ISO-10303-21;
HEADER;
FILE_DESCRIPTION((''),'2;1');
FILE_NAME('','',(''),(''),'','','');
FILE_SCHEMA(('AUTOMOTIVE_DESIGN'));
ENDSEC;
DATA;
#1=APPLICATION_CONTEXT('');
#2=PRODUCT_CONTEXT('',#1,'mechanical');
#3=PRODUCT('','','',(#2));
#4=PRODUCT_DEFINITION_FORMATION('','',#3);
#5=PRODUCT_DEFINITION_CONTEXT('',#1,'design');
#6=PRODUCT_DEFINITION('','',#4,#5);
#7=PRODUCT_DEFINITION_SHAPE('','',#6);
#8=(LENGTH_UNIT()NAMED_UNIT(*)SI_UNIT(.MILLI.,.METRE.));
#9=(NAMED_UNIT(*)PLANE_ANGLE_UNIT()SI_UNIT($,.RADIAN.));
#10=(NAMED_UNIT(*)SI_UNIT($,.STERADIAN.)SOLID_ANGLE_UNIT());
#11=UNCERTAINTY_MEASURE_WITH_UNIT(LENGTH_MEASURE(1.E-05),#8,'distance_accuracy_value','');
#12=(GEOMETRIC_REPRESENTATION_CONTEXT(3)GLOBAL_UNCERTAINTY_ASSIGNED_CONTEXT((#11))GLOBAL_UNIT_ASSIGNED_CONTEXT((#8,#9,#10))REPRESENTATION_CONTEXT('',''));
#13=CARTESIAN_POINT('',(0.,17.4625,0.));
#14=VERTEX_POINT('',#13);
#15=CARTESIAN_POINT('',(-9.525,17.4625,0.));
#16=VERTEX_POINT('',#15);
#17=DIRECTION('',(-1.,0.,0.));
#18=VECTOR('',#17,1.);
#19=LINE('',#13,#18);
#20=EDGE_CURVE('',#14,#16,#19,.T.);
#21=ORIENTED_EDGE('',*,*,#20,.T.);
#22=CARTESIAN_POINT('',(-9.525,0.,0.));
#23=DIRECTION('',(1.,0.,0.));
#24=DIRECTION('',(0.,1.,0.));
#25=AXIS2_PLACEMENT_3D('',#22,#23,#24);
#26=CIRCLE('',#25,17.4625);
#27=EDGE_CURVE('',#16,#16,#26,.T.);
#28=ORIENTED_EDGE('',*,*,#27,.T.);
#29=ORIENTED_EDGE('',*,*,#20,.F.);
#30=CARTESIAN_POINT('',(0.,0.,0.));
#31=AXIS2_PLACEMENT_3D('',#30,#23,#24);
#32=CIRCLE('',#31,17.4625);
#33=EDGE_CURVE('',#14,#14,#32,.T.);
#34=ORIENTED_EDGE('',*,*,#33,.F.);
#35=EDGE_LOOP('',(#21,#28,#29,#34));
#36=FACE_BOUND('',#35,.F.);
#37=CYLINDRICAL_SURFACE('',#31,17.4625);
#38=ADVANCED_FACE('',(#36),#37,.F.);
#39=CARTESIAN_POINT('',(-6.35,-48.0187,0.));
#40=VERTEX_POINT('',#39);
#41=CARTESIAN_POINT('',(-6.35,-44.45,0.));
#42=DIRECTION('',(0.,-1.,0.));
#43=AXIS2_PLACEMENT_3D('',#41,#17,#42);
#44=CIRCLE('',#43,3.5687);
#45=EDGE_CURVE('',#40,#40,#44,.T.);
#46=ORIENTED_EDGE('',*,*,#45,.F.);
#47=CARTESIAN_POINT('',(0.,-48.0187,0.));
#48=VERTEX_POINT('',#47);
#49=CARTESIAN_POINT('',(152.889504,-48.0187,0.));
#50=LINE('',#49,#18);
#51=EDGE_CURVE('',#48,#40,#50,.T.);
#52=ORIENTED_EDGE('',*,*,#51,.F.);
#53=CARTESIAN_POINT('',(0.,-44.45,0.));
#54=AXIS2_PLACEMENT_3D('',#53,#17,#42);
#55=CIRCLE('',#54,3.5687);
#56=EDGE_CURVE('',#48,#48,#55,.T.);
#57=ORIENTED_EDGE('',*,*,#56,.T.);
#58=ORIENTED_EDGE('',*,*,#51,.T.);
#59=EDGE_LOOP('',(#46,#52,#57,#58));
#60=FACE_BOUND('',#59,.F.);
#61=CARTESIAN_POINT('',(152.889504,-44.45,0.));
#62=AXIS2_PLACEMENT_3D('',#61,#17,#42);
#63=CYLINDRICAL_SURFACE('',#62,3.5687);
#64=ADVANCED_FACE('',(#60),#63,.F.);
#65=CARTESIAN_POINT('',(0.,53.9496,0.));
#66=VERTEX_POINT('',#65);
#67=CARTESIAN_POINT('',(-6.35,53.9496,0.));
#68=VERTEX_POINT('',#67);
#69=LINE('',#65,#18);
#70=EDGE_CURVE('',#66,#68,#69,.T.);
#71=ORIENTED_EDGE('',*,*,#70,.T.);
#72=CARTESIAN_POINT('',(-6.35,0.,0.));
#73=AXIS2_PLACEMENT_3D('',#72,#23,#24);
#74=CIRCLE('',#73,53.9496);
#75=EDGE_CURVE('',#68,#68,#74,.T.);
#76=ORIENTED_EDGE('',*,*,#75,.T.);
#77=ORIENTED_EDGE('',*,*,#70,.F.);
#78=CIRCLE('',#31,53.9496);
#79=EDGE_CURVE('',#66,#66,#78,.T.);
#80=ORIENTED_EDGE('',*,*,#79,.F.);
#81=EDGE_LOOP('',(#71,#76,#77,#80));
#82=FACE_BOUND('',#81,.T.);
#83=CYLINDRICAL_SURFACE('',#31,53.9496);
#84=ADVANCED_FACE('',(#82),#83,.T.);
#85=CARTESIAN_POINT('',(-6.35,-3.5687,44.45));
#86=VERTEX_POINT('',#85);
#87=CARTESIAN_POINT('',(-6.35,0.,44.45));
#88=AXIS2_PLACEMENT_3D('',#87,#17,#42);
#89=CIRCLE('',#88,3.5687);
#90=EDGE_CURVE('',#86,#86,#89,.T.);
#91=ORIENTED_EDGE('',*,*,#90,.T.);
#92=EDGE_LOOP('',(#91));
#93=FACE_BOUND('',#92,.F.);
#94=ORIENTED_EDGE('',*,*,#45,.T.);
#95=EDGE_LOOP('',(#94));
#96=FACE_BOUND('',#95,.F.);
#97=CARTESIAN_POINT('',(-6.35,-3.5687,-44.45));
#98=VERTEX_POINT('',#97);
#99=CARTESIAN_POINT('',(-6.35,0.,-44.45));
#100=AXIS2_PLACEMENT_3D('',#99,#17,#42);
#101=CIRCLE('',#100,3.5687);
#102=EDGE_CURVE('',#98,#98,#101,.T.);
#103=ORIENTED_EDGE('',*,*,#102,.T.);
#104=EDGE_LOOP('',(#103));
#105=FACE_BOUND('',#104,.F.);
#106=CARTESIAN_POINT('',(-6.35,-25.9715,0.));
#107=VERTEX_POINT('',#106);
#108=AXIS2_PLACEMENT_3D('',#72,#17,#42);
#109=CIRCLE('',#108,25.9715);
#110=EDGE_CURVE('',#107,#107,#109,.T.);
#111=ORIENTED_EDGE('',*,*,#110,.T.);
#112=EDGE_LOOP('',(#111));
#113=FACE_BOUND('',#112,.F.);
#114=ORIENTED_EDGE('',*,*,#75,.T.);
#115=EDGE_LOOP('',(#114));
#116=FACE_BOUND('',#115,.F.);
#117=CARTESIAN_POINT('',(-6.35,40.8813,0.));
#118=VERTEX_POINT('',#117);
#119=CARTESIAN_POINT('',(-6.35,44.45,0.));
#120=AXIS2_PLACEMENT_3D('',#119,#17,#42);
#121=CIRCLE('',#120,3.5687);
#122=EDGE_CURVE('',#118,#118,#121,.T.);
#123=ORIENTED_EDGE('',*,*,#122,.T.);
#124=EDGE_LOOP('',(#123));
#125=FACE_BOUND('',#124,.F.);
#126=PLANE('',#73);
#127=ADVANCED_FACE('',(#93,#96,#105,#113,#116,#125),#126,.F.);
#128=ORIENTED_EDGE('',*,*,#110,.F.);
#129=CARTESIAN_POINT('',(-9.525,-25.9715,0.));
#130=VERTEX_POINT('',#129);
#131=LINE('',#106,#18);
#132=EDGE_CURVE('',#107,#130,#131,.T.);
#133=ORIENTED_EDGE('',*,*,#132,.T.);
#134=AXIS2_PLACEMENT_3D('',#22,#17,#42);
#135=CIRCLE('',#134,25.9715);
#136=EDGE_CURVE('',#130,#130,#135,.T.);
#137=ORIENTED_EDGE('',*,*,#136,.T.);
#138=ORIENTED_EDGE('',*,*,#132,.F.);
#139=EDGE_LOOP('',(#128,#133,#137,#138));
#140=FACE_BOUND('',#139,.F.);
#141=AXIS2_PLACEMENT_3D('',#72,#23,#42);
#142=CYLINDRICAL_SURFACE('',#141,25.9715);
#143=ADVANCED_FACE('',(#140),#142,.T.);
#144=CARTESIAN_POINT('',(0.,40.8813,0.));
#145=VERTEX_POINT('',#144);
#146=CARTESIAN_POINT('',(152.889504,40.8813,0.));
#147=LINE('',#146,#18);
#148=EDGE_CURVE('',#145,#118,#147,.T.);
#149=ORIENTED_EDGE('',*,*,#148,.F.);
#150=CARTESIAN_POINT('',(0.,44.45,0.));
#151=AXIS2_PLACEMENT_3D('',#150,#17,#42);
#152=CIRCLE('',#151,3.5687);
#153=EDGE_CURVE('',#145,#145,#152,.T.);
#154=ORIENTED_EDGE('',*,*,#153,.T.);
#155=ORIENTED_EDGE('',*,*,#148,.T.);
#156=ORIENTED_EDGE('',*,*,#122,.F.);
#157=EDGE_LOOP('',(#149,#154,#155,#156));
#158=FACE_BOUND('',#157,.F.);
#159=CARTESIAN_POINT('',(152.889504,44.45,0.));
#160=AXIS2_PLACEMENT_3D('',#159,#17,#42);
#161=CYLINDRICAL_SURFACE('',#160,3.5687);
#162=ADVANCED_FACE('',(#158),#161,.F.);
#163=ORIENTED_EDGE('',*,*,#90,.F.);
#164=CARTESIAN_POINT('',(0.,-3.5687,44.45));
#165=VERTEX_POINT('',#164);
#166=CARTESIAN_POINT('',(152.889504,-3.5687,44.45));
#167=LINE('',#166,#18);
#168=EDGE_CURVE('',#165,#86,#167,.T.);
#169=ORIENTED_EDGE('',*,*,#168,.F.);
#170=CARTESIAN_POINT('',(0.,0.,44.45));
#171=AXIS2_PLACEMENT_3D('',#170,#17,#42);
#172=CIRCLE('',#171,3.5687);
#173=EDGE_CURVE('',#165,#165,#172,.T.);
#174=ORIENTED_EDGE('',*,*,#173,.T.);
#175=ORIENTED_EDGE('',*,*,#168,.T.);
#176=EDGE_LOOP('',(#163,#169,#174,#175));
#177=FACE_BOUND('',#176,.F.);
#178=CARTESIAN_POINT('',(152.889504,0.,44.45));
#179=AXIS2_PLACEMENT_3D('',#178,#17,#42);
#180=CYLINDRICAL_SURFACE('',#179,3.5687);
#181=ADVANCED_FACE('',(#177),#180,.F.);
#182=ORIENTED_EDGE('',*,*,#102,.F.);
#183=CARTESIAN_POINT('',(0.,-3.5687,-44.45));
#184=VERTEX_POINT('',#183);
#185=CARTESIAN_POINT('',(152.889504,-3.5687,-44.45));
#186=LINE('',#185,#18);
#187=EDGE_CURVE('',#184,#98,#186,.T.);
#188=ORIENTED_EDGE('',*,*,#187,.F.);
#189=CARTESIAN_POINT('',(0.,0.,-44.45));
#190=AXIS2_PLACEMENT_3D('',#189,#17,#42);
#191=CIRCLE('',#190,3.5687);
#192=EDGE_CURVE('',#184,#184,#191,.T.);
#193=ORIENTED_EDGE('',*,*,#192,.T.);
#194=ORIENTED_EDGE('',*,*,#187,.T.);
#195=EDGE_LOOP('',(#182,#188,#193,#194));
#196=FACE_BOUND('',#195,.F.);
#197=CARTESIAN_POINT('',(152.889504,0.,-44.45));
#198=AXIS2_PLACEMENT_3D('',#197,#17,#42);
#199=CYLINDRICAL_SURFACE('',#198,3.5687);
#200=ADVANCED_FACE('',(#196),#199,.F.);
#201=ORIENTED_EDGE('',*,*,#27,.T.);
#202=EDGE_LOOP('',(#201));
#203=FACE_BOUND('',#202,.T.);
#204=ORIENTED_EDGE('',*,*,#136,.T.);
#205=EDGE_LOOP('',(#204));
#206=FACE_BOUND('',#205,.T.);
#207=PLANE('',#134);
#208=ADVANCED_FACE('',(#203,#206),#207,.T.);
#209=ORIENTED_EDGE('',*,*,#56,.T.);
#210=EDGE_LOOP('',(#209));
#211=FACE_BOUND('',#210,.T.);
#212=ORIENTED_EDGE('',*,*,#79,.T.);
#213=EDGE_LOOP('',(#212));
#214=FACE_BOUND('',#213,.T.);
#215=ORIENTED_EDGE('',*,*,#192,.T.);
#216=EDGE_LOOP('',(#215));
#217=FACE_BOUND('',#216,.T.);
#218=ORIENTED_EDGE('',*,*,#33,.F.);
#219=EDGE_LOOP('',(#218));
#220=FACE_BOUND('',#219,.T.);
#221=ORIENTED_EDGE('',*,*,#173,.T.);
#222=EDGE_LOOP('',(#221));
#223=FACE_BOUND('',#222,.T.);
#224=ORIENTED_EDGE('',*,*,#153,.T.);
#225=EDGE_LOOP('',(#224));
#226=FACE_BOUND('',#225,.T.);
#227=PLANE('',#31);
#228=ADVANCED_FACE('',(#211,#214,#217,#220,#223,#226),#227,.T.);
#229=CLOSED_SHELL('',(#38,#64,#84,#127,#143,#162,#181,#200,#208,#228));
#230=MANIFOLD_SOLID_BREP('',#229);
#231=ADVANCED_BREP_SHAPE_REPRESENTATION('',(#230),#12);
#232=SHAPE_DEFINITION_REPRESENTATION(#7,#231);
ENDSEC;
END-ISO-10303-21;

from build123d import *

# Parameters (mm, degrees)
F0_R     = 53.9496
F1_DEPTH = 6.35
F2_R     = 25.9715
F3_DEPTH = 3.175
F4_R     = 17.4625
F5_DEPTH = 9.526
F6_D     = 7.1374


with BuildPart() as f1:
    # F0 (on Right) → F1 (new body)
    with BuildSketch(Plane.YZ):
        Circle(F0_R)
    extrude(amount=-F1_DEPTH)

    # F2 (on face) → F3 (join)
    with BuildSketch(Plane(origin=(-6.35, 0, 0), x_dir=(0, -1, 0), z_dir=(-1, 0, 0))):
        Circle(F2_R)
    extrude(amount=F3_DEPTH)

    # F4 (on face) → F5 (cut, through all)
    with BuildSketch(Plane.YZ):
        Circle(F4_R)
    extrude(amount=-F5_DEPTH, mode=Mode.SUBTRACT)

    # F6 (through all)
    with Locations(Plane.YZ):
        with Locations((0, -44.45), (44.45, 0), (0, 44.45), (-44.45, 0)):
            Hole(F6_D / 2)


solid = f1.part
